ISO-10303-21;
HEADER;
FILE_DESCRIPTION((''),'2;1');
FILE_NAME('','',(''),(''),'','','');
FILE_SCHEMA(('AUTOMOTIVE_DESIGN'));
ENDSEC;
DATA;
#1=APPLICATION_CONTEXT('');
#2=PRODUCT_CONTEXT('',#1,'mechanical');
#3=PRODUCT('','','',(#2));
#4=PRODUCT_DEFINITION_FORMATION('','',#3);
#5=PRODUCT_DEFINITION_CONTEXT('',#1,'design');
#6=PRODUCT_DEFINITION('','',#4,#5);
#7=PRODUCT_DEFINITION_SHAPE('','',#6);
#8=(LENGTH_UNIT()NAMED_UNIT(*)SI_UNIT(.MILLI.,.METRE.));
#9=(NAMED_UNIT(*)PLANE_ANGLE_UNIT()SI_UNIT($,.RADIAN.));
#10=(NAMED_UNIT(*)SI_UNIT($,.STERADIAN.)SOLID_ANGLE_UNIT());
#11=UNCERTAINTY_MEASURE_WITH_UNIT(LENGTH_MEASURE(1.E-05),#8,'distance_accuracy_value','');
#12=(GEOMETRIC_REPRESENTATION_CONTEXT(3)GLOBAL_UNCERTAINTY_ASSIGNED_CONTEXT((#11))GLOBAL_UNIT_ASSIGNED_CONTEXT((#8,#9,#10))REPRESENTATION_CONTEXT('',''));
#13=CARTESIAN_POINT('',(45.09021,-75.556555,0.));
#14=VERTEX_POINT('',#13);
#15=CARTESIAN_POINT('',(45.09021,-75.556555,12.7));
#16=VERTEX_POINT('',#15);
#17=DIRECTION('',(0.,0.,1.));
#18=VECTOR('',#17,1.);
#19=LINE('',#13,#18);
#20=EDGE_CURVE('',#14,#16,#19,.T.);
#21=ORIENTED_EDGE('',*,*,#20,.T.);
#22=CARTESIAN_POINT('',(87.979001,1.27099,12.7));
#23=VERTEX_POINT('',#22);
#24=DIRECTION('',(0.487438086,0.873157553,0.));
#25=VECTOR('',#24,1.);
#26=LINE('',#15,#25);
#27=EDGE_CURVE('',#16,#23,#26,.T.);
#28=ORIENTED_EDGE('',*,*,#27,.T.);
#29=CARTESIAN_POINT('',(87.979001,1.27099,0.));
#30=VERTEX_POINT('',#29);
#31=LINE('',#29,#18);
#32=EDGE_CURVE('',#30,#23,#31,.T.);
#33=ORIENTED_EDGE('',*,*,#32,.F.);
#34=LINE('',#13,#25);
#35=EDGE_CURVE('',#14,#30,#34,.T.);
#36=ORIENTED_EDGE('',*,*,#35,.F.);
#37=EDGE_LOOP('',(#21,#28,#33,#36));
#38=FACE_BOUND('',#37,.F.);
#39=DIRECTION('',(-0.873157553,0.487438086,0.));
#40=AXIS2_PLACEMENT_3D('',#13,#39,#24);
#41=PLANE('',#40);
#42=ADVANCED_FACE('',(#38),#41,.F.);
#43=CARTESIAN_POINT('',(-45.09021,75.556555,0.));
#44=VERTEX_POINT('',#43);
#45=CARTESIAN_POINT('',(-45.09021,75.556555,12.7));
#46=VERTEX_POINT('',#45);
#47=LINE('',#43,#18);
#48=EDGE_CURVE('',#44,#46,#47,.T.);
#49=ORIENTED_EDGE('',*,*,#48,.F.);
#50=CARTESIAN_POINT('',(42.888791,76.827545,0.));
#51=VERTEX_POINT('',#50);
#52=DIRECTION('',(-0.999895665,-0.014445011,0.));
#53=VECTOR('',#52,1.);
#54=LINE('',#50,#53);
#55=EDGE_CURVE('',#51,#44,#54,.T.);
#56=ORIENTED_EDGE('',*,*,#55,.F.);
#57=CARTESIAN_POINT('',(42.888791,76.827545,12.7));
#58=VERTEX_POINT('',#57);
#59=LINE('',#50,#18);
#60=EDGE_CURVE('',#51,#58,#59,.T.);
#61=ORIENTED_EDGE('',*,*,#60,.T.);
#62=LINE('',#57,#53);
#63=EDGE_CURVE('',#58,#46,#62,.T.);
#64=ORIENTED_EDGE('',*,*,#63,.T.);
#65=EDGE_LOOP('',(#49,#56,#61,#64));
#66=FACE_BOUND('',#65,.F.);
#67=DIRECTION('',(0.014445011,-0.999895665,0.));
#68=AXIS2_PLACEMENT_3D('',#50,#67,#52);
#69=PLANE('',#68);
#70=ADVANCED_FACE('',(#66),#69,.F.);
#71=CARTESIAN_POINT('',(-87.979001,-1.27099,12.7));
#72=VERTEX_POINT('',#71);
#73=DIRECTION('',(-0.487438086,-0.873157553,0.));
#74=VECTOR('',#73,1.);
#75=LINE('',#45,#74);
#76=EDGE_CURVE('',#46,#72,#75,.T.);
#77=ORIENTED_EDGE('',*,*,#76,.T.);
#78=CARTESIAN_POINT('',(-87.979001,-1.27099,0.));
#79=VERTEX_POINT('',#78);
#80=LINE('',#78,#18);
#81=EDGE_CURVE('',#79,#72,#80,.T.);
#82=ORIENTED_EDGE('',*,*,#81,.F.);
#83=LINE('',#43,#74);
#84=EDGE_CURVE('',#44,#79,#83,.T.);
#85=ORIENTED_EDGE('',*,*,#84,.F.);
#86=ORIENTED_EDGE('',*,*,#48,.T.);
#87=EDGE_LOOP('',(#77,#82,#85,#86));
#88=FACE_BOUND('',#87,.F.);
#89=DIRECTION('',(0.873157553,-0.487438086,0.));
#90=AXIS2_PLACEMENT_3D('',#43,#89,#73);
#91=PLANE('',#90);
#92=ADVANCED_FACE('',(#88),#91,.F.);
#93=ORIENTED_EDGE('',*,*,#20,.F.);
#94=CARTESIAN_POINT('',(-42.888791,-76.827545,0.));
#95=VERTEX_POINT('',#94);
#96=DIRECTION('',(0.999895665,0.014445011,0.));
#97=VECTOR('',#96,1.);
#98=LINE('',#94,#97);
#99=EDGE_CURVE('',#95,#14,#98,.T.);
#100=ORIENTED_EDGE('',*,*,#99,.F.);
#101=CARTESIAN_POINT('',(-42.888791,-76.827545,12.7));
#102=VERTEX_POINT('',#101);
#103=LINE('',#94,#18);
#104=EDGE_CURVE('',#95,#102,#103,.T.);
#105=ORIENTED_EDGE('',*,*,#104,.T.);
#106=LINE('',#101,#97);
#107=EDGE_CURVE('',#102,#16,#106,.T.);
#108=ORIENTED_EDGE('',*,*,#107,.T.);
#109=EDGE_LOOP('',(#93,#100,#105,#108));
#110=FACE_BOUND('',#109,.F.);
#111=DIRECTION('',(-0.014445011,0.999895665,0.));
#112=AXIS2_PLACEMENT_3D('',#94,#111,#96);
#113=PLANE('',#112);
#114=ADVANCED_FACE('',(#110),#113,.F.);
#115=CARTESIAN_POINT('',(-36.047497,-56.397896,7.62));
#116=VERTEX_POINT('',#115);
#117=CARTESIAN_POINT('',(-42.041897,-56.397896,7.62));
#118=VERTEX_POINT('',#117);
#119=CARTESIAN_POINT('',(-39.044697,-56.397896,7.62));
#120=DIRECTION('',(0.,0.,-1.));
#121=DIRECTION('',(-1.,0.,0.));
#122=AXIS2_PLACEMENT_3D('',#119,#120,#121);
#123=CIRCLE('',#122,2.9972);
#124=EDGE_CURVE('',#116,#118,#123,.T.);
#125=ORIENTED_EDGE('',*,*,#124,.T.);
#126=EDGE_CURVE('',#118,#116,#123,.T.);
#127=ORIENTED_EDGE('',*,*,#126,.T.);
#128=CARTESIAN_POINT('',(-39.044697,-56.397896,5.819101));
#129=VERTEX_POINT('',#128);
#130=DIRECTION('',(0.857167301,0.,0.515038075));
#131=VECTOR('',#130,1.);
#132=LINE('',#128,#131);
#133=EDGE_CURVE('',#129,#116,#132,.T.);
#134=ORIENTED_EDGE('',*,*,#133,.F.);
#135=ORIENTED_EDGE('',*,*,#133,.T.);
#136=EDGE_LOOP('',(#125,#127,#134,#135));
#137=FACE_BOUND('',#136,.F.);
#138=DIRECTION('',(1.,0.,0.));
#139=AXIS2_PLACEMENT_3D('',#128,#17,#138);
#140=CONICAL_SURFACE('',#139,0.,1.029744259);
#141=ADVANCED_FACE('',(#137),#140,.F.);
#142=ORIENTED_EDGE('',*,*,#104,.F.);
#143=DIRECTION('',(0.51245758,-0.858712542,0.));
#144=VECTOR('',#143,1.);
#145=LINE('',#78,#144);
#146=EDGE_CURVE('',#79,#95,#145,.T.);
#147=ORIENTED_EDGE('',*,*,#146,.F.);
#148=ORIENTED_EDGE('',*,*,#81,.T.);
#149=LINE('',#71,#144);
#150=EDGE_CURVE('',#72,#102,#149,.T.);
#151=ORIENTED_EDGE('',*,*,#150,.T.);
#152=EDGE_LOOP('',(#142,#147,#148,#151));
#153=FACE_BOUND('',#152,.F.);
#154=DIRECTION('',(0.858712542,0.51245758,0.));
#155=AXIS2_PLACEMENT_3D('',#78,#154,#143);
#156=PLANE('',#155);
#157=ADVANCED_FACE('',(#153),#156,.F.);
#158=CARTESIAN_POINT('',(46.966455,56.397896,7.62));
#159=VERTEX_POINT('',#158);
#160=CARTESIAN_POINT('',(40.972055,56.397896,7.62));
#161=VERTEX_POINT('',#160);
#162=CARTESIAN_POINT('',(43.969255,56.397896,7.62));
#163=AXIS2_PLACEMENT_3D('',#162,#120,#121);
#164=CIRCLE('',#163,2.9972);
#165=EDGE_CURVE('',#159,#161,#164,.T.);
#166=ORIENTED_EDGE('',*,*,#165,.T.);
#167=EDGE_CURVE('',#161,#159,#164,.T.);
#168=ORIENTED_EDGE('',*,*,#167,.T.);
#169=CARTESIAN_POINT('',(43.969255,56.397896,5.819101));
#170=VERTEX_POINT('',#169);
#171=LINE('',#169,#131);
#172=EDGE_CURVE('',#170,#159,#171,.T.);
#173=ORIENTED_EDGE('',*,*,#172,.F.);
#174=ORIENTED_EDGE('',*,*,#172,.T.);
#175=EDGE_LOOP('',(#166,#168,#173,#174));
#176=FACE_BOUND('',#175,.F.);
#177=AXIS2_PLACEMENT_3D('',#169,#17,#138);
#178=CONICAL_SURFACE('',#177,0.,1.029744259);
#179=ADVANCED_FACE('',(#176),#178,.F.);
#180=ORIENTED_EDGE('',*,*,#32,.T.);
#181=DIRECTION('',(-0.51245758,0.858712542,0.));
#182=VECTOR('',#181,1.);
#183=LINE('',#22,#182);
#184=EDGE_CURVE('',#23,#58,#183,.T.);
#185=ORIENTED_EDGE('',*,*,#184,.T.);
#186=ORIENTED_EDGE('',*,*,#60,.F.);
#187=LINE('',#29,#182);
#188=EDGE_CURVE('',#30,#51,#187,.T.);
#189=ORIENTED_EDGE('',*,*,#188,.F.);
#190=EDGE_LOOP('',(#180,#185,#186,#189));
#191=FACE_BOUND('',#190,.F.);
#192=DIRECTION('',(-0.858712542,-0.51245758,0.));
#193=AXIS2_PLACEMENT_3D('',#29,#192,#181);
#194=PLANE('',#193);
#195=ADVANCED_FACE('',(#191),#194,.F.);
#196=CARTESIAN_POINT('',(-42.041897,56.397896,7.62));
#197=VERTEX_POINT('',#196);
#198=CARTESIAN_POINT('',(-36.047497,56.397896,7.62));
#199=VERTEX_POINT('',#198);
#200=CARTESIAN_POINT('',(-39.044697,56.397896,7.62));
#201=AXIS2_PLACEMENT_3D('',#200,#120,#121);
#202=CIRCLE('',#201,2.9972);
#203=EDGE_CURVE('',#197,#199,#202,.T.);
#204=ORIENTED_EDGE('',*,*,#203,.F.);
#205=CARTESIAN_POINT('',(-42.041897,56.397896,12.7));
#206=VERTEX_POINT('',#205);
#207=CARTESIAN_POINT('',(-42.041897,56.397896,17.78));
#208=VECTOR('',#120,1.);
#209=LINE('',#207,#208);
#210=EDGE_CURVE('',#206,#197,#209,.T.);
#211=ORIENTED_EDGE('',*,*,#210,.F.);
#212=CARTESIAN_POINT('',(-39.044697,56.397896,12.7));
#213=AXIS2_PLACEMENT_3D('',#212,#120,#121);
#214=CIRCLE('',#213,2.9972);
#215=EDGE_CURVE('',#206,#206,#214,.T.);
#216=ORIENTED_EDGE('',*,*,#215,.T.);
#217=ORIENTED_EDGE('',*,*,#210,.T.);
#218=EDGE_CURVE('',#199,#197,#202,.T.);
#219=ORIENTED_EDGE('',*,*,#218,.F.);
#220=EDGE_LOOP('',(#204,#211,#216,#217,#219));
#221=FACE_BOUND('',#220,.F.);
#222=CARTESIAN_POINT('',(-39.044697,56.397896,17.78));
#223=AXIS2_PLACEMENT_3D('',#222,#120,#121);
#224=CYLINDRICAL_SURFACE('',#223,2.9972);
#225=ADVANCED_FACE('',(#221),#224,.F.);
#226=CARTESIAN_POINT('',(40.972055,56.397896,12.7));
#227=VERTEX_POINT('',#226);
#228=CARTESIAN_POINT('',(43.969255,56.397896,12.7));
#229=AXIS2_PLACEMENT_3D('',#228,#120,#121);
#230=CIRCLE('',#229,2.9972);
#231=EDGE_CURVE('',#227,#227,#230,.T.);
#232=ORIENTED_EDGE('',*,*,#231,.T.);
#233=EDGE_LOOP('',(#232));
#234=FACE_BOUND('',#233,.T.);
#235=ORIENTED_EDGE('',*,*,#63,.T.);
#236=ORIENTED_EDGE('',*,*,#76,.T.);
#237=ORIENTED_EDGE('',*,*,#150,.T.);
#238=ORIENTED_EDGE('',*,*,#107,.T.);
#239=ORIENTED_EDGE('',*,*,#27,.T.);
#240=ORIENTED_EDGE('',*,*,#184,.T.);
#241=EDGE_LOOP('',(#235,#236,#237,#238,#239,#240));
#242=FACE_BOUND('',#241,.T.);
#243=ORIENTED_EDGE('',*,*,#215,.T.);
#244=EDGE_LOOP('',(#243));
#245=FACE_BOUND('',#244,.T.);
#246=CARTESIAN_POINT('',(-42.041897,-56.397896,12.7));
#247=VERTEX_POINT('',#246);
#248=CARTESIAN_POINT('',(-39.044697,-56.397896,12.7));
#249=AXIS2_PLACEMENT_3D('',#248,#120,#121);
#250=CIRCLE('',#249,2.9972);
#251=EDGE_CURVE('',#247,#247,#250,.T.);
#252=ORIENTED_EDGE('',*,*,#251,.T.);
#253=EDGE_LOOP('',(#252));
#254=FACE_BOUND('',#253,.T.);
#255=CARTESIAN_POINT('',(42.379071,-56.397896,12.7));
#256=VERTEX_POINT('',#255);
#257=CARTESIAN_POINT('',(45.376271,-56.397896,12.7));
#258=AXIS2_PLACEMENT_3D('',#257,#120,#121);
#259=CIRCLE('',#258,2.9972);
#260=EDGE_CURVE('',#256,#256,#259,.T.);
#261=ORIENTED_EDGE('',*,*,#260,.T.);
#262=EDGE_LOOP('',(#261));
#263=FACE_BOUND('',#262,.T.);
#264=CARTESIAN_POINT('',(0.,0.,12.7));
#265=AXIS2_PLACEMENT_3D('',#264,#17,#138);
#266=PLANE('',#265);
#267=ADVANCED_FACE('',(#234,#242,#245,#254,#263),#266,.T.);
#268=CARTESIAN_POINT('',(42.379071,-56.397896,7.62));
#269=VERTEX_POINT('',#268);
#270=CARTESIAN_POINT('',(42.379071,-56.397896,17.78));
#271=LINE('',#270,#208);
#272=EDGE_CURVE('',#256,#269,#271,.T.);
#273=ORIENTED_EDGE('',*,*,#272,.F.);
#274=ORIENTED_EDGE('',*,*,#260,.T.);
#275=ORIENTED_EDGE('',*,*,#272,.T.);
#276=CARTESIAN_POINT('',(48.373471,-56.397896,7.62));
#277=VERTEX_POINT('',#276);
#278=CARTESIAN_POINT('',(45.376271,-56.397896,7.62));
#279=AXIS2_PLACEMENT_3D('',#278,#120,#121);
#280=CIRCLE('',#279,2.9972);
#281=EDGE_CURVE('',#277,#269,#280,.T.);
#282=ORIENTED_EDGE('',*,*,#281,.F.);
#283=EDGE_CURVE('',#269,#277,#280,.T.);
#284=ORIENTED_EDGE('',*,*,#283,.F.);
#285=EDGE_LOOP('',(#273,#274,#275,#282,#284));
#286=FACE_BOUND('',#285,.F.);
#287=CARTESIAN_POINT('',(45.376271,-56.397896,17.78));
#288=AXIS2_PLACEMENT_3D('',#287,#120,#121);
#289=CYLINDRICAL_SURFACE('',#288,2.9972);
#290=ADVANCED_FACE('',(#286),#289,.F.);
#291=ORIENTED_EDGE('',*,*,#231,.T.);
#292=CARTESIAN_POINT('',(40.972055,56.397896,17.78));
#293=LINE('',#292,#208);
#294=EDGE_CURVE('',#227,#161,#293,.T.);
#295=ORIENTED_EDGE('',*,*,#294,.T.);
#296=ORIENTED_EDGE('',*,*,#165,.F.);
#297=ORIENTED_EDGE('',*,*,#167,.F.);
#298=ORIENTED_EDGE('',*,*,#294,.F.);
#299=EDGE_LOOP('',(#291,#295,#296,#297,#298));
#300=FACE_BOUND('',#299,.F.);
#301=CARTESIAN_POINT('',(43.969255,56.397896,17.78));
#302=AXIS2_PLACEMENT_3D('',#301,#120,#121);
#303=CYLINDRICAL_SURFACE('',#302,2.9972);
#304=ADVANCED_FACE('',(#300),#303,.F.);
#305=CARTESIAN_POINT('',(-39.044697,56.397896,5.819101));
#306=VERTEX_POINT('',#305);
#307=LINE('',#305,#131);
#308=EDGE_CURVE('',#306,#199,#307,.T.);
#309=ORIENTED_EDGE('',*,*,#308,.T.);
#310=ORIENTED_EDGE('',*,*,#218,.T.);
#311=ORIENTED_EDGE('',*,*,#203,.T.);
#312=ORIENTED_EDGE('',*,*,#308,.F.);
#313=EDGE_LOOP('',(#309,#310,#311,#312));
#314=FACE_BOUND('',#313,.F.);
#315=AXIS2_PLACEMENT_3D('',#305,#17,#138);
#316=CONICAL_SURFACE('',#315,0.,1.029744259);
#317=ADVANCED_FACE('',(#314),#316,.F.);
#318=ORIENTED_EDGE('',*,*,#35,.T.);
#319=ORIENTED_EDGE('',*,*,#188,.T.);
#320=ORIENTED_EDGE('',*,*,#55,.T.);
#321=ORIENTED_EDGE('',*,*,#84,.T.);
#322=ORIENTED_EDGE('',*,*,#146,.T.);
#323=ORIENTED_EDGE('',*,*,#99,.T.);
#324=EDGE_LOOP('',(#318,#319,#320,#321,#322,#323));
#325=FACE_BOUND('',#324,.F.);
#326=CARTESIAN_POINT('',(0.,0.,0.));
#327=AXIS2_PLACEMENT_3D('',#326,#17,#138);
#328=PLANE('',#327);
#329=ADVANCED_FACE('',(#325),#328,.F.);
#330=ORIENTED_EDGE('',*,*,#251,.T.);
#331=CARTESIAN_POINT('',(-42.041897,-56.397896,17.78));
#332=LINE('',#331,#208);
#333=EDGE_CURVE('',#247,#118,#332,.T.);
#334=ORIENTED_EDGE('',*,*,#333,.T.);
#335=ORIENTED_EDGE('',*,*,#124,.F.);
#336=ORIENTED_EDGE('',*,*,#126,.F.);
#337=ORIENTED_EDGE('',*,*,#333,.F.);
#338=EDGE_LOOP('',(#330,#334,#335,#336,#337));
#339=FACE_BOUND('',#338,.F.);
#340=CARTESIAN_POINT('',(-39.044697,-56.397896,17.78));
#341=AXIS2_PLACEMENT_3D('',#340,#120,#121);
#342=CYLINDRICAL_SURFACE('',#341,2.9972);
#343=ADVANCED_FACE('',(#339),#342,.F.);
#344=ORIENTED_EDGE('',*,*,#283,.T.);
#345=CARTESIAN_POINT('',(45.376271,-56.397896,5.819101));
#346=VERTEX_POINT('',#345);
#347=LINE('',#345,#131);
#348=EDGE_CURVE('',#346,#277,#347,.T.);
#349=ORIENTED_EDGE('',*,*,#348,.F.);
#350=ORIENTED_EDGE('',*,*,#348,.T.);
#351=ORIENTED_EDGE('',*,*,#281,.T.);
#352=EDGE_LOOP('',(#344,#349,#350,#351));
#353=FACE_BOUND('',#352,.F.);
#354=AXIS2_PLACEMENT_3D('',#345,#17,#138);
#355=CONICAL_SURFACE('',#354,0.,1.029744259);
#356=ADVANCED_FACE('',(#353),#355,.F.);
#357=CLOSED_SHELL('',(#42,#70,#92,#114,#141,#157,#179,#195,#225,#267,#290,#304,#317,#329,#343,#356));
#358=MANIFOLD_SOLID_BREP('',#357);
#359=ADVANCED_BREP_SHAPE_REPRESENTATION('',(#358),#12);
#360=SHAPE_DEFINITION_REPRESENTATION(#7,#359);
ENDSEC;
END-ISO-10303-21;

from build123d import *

# Parameters (mm, degrees)
F1_DEPTH = 12.7
F3_D     = 5.9944
F3_DEPTH = 5.08
F3_TIP   = 1.8008994473


with BuildPart() as f1:
    # F0 (on Top) → F1 (new body)
    with BuildSketch(Plane.XY):
        Polygon((45.0902102752, -75.5565545624), (87.979000811, 1.2709902791), (42.8887905359, 76.8275448415), (-45.0902102752, 75.5565545624), (-87.979000811, -1.2709902791), (-42.8887905359, -76.8275448415), align=None)
    extrude(amount=F1_DEPTH)

    # F3
    with Locations(Plane.XY.offset(12.7)):
        with Locations((-39.0446968377, 56.39789626), (43.9692549407, 56.39789626), (-39.0446968377, -56.39789626), (45.3762710094, -56.39789626)):
            Hole(F3_D / 2, depth=F3_DEPTH)
            with Locations((0, 0, -(F3_DEPTH + F3_TIP / 2))):  # 118° drill point
                Cone(0, F3_D / 2, F3_TIP, mode=Mode.SUBTRACT)


solid = f1.part
